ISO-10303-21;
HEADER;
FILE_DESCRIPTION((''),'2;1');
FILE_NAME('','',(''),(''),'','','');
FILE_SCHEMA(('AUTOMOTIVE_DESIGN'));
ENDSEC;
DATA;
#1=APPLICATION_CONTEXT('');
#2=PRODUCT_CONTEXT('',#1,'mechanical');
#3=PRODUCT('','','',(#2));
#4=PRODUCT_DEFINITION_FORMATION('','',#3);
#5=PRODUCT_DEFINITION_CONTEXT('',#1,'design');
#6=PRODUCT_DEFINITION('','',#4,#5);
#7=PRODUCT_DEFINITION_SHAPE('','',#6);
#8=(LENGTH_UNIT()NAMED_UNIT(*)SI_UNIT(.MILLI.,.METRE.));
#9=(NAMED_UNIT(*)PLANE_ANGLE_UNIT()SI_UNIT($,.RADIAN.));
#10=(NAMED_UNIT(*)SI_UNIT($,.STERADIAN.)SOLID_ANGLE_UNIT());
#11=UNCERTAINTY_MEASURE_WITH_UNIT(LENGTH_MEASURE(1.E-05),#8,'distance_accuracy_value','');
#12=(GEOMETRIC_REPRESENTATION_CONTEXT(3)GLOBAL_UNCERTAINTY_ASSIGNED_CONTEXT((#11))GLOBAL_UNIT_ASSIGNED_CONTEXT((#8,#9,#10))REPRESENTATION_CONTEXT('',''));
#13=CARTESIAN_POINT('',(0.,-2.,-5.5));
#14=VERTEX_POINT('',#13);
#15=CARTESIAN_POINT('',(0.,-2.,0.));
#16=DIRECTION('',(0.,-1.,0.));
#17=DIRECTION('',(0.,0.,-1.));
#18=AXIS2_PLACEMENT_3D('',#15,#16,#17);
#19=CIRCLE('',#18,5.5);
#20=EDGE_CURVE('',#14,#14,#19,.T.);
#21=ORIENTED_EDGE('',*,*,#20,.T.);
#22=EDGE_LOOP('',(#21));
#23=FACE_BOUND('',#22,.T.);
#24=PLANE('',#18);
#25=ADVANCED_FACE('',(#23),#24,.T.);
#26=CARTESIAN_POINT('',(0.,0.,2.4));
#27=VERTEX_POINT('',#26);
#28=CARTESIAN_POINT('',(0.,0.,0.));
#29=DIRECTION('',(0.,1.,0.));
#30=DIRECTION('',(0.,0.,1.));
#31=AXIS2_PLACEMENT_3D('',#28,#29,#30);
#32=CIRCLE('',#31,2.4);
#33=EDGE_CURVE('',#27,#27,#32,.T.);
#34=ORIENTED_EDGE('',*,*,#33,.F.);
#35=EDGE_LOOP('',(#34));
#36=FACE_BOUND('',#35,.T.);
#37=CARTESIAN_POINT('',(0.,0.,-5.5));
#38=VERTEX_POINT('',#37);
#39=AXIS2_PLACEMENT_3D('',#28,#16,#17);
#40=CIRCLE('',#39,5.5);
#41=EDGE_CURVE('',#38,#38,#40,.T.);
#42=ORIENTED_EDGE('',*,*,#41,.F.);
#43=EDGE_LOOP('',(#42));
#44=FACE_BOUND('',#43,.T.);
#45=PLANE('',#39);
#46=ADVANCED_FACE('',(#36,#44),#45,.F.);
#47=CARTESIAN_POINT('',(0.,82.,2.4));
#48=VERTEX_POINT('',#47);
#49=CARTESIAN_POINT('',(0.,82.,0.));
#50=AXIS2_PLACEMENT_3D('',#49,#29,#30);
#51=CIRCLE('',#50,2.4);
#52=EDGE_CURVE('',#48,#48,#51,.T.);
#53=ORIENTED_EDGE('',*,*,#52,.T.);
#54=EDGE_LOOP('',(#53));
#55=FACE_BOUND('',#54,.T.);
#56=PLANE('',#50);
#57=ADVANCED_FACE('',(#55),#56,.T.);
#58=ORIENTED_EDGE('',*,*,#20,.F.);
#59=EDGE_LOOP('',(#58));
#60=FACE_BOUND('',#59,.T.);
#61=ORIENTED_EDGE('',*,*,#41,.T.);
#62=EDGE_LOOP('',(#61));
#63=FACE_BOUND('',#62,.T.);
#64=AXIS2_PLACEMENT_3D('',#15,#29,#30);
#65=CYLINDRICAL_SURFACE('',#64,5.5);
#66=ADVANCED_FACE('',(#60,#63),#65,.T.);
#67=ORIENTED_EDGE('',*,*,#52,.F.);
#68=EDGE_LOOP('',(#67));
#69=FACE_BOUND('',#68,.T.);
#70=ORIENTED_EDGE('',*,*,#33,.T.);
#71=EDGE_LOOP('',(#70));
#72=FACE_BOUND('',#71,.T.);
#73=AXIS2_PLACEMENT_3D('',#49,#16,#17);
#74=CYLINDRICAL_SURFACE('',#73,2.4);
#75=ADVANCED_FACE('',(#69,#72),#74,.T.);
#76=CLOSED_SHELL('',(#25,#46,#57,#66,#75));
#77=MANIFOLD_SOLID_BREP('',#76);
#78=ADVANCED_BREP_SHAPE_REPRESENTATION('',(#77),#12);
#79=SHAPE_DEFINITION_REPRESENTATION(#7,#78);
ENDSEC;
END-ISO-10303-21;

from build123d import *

# Parameters (mm, degrees)
SKETCH_1_R      = 2.4
EXTRUDE_1_DEPTH = 82
SKETCH_2_R      = 5.5
EXTRUDE_2_DEPTH = 2


with BuildPart() as part:
    # 草图1 → 凸台-拉伸1 (new body)
    with BuildSketch(Plane(origin=(0, 0, 0), x_dir=(1, 0, 0), z_dir=(0, 1, 0))):
        with Locations(Location((0, 0, 0), (0, 0, 270))):
            Circle(SKETCH_1_R)
    extrude(amount=EXTRUDE_1_DEPTH)

    # 草图2 → 凸台-拉伸2 (add)
    with BuildSketch(Plane.XZ):
        with Locations(Location((0, 0, 0), (0, 0, 270))):
            Circle(SKETCH_2_R)
    extrude(amount=EXTRUDE_2_DEPTH)


solid = part.part
